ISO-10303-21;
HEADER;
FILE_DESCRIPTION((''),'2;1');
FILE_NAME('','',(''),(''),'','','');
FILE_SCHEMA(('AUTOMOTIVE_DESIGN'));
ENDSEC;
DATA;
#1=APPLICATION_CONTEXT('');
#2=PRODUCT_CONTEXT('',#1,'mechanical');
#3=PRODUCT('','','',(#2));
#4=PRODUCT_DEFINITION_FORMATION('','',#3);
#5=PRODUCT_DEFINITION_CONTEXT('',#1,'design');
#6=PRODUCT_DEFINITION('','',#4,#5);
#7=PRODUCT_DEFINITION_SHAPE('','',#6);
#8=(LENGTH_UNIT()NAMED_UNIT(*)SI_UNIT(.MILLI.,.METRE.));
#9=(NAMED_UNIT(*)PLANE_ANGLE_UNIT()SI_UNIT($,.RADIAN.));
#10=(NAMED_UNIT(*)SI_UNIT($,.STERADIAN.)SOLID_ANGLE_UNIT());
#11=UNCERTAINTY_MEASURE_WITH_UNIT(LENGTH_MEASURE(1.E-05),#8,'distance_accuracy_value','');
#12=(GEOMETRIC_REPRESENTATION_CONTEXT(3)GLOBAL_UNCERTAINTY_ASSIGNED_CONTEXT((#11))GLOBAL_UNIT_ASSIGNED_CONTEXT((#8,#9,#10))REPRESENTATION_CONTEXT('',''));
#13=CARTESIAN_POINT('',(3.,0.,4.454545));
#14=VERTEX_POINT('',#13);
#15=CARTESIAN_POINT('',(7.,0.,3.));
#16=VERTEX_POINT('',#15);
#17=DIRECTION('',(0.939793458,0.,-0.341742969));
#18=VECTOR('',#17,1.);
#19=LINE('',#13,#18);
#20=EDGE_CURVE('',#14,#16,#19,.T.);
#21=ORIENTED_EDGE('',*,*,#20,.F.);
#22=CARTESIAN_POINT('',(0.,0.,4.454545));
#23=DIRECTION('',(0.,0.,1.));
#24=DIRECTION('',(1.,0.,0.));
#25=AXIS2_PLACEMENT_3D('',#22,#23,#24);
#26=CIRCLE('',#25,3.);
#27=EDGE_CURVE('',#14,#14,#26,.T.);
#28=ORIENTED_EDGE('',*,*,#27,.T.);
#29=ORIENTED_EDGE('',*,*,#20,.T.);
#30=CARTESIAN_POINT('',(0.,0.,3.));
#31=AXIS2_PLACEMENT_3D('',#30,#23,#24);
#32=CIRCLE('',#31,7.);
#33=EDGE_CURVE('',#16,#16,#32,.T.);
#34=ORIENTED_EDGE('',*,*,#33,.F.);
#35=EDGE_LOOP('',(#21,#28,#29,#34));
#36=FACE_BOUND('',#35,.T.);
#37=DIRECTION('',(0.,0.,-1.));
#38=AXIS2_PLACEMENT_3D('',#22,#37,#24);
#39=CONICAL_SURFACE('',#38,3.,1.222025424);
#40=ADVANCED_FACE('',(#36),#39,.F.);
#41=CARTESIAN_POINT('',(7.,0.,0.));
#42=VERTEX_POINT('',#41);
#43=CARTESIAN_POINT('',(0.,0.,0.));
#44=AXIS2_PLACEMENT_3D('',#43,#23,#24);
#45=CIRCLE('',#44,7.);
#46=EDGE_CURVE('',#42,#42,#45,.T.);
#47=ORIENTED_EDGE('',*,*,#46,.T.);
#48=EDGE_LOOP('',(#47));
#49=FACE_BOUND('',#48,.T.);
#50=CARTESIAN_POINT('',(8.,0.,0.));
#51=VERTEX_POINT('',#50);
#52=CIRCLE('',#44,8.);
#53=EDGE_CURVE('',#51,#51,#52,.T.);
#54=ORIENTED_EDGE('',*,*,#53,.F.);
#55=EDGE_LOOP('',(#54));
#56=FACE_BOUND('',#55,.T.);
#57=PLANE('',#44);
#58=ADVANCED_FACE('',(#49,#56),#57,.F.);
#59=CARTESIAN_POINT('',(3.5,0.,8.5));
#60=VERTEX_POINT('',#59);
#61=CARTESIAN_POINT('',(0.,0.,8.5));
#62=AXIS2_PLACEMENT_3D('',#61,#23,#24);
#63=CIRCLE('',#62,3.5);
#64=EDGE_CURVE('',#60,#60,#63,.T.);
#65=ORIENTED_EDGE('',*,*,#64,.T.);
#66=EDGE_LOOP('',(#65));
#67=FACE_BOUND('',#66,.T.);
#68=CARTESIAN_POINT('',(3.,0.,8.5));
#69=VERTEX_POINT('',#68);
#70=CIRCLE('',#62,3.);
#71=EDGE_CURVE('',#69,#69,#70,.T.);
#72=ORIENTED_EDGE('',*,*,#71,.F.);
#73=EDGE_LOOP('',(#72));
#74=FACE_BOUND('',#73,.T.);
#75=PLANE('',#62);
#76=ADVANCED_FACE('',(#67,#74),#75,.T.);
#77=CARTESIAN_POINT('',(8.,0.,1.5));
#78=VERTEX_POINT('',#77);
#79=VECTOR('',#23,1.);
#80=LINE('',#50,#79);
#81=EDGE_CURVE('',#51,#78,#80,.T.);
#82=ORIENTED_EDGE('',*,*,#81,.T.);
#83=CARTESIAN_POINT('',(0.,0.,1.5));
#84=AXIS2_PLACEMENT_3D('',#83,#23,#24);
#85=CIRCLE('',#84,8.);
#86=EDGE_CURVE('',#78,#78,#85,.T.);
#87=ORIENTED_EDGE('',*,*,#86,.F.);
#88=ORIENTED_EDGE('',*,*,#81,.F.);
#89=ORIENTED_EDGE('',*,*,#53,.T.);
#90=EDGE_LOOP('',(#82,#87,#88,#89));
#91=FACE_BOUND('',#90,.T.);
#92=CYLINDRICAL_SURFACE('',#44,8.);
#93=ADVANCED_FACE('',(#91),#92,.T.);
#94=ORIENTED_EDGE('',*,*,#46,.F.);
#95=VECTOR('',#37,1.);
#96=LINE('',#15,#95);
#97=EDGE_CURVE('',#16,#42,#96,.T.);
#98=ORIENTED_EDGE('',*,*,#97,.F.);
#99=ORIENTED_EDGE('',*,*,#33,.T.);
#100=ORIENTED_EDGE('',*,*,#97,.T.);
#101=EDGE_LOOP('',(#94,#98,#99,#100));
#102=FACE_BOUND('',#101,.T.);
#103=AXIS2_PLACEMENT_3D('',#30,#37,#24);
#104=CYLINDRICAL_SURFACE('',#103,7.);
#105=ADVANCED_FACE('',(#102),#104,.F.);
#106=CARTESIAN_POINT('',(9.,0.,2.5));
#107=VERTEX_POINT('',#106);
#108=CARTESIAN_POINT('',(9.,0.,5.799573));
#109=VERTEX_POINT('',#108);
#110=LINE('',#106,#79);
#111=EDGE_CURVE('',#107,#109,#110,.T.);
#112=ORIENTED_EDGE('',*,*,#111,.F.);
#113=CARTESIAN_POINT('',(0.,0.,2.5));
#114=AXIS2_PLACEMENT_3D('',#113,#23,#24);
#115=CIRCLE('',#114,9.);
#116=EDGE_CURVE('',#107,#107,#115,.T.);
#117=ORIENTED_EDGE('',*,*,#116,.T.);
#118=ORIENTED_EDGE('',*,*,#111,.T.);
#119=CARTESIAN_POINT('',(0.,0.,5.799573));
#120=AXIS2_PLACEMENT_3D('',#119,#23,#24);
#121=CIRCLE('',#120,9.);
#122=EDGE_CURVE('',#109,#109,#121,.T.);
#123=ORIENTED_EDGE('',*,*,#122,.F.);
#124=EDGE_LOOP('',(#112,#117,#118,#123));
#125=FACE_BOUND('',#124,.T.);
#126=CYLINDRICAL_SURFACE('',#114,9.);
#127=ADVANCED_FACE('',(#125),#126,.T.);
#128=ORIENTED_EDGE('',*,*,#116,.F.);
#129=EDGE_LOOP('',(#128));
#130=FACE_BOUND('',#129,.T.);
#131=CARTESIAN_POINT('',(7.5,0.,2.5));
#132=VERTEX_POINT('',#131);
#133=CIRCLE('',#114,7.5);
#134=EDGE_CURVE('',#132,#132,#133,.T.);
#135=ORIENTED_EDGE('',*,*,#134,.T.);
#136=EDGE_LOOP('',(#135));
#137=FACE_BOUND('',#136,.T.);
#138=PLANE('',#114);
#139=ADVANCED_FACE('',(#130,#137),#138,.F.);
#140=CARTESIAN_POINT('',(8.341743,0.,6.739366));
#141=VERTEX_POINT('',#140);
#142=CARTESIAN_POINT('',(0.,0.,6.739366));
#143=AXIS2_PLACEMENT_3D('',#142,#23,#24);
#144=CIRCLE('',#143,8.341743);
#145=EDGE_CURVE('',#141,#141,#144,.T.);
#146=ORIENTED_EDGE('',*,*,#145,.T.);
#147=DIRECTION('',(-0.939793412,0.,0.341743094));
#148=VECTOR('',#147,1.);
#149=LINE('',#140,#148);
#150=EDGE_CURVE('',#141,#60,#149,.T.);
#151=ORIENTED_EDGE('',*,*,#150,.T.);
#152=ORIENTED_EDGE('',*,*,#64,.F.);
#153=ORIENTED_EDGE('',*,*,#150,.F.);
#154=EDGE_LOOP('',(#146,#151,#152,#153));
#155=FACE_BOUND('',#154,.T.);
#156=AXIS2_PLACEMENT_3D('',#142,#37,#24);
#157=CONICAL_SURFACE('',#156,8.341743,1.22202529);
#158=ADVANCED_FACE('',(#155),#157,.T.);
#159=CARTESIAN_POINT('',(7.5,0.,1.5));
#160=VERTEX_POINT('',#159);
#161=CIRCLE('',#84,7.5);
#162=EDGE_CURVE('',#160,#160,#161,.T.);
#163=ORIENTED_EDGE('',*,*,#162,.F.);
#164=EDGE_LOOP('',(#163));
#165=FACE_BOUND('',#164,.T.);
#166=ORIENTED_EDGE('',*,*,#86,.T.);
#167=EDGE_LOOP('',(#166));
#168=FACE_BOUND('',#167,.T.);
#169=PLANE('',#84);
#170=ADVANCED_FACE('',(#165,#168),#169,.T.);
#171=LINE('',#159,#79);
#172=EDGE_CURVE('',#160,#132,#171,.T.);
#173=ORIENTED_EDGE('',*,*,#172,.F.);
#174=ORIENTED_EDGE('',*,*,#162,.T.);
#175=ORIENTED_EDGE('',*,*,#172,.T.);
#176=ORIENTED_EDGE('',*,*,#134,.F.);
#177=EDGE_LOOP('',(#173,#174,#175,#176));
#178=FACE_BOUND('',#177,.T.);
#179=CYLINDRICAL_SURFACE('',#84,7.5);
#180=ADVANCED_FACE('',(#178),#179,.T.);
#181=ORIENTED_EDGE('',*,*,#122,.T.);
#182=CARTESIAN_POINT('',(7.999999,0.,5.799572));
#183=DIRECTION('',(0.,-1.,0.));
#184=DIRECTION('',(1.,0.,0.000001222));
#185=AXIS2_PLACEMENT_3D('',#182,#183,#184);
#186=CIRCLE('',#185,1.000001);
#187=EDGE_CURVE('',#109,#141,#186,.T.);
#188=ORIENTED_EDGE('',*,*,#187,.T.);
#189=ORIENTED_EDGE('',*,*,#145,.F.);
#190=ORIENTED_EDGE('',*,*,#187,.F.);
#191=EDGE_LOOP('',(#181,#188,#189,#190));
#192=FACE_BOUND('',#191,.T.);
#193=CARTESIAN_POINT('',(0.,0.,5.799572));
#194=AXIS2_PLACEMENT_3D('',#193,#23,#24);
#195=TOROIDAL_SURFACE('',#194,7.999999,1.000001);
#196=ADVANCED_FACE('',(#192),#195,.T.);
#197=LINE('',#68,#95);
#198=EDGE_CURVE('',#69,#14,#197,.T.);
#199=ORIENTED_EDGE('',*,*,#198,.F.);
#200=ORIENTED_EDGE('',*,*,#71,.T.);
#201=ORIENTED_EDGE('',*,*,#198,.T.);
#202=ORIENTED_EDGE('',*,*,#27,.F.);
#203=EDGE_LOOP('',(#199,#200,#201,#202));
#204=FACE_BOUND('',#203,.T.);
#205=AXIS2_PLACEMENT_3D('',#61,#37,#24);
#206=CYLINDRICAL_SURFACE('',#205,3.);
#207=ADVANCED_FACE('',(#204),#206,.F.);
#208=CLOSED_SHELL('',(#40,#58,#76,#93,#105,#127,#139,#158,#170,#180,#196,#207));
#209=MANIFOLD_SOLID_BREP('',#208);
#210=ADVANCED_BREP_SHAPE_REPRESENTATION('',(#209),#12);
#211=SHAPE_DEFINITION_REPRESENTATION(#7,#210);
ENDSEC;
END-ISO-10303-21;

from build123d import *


with BuildPart() as f1:
    # F0 (on Front) → F1 (revolve)
    with BuildSketch(Plane.XZ):
        with BuildLine():
            Line((3.5, 8.5), (3, 8.5))
            Line((3, 8.5), (3, 4.454545))
            Line((3, 4.454545), (7, 3))
            Line((7, 3), (7, 0))
            Line((7, 0), (8, 0))
            Line((8, 0), (8, 1.5))
            Line((8, 1.5), (7.5, 1.5))
            Line((7.5, 1.5), (7.5, 2.5))
            Line((7.5, 2.5), (9, 2.5))
            Line((9, 2.5), (9, 5.799573))
            ThreePointArc((9, 5.799573), (8.819067, 6.37327), (8.341743, 6.739366))
            Line((8.341743, 6.739366), (3.5, 8.5))
        make_face()
    revolve(axis=Axis((0, 0, 4.25), (0, 0, 1)))


solid = f1.part
